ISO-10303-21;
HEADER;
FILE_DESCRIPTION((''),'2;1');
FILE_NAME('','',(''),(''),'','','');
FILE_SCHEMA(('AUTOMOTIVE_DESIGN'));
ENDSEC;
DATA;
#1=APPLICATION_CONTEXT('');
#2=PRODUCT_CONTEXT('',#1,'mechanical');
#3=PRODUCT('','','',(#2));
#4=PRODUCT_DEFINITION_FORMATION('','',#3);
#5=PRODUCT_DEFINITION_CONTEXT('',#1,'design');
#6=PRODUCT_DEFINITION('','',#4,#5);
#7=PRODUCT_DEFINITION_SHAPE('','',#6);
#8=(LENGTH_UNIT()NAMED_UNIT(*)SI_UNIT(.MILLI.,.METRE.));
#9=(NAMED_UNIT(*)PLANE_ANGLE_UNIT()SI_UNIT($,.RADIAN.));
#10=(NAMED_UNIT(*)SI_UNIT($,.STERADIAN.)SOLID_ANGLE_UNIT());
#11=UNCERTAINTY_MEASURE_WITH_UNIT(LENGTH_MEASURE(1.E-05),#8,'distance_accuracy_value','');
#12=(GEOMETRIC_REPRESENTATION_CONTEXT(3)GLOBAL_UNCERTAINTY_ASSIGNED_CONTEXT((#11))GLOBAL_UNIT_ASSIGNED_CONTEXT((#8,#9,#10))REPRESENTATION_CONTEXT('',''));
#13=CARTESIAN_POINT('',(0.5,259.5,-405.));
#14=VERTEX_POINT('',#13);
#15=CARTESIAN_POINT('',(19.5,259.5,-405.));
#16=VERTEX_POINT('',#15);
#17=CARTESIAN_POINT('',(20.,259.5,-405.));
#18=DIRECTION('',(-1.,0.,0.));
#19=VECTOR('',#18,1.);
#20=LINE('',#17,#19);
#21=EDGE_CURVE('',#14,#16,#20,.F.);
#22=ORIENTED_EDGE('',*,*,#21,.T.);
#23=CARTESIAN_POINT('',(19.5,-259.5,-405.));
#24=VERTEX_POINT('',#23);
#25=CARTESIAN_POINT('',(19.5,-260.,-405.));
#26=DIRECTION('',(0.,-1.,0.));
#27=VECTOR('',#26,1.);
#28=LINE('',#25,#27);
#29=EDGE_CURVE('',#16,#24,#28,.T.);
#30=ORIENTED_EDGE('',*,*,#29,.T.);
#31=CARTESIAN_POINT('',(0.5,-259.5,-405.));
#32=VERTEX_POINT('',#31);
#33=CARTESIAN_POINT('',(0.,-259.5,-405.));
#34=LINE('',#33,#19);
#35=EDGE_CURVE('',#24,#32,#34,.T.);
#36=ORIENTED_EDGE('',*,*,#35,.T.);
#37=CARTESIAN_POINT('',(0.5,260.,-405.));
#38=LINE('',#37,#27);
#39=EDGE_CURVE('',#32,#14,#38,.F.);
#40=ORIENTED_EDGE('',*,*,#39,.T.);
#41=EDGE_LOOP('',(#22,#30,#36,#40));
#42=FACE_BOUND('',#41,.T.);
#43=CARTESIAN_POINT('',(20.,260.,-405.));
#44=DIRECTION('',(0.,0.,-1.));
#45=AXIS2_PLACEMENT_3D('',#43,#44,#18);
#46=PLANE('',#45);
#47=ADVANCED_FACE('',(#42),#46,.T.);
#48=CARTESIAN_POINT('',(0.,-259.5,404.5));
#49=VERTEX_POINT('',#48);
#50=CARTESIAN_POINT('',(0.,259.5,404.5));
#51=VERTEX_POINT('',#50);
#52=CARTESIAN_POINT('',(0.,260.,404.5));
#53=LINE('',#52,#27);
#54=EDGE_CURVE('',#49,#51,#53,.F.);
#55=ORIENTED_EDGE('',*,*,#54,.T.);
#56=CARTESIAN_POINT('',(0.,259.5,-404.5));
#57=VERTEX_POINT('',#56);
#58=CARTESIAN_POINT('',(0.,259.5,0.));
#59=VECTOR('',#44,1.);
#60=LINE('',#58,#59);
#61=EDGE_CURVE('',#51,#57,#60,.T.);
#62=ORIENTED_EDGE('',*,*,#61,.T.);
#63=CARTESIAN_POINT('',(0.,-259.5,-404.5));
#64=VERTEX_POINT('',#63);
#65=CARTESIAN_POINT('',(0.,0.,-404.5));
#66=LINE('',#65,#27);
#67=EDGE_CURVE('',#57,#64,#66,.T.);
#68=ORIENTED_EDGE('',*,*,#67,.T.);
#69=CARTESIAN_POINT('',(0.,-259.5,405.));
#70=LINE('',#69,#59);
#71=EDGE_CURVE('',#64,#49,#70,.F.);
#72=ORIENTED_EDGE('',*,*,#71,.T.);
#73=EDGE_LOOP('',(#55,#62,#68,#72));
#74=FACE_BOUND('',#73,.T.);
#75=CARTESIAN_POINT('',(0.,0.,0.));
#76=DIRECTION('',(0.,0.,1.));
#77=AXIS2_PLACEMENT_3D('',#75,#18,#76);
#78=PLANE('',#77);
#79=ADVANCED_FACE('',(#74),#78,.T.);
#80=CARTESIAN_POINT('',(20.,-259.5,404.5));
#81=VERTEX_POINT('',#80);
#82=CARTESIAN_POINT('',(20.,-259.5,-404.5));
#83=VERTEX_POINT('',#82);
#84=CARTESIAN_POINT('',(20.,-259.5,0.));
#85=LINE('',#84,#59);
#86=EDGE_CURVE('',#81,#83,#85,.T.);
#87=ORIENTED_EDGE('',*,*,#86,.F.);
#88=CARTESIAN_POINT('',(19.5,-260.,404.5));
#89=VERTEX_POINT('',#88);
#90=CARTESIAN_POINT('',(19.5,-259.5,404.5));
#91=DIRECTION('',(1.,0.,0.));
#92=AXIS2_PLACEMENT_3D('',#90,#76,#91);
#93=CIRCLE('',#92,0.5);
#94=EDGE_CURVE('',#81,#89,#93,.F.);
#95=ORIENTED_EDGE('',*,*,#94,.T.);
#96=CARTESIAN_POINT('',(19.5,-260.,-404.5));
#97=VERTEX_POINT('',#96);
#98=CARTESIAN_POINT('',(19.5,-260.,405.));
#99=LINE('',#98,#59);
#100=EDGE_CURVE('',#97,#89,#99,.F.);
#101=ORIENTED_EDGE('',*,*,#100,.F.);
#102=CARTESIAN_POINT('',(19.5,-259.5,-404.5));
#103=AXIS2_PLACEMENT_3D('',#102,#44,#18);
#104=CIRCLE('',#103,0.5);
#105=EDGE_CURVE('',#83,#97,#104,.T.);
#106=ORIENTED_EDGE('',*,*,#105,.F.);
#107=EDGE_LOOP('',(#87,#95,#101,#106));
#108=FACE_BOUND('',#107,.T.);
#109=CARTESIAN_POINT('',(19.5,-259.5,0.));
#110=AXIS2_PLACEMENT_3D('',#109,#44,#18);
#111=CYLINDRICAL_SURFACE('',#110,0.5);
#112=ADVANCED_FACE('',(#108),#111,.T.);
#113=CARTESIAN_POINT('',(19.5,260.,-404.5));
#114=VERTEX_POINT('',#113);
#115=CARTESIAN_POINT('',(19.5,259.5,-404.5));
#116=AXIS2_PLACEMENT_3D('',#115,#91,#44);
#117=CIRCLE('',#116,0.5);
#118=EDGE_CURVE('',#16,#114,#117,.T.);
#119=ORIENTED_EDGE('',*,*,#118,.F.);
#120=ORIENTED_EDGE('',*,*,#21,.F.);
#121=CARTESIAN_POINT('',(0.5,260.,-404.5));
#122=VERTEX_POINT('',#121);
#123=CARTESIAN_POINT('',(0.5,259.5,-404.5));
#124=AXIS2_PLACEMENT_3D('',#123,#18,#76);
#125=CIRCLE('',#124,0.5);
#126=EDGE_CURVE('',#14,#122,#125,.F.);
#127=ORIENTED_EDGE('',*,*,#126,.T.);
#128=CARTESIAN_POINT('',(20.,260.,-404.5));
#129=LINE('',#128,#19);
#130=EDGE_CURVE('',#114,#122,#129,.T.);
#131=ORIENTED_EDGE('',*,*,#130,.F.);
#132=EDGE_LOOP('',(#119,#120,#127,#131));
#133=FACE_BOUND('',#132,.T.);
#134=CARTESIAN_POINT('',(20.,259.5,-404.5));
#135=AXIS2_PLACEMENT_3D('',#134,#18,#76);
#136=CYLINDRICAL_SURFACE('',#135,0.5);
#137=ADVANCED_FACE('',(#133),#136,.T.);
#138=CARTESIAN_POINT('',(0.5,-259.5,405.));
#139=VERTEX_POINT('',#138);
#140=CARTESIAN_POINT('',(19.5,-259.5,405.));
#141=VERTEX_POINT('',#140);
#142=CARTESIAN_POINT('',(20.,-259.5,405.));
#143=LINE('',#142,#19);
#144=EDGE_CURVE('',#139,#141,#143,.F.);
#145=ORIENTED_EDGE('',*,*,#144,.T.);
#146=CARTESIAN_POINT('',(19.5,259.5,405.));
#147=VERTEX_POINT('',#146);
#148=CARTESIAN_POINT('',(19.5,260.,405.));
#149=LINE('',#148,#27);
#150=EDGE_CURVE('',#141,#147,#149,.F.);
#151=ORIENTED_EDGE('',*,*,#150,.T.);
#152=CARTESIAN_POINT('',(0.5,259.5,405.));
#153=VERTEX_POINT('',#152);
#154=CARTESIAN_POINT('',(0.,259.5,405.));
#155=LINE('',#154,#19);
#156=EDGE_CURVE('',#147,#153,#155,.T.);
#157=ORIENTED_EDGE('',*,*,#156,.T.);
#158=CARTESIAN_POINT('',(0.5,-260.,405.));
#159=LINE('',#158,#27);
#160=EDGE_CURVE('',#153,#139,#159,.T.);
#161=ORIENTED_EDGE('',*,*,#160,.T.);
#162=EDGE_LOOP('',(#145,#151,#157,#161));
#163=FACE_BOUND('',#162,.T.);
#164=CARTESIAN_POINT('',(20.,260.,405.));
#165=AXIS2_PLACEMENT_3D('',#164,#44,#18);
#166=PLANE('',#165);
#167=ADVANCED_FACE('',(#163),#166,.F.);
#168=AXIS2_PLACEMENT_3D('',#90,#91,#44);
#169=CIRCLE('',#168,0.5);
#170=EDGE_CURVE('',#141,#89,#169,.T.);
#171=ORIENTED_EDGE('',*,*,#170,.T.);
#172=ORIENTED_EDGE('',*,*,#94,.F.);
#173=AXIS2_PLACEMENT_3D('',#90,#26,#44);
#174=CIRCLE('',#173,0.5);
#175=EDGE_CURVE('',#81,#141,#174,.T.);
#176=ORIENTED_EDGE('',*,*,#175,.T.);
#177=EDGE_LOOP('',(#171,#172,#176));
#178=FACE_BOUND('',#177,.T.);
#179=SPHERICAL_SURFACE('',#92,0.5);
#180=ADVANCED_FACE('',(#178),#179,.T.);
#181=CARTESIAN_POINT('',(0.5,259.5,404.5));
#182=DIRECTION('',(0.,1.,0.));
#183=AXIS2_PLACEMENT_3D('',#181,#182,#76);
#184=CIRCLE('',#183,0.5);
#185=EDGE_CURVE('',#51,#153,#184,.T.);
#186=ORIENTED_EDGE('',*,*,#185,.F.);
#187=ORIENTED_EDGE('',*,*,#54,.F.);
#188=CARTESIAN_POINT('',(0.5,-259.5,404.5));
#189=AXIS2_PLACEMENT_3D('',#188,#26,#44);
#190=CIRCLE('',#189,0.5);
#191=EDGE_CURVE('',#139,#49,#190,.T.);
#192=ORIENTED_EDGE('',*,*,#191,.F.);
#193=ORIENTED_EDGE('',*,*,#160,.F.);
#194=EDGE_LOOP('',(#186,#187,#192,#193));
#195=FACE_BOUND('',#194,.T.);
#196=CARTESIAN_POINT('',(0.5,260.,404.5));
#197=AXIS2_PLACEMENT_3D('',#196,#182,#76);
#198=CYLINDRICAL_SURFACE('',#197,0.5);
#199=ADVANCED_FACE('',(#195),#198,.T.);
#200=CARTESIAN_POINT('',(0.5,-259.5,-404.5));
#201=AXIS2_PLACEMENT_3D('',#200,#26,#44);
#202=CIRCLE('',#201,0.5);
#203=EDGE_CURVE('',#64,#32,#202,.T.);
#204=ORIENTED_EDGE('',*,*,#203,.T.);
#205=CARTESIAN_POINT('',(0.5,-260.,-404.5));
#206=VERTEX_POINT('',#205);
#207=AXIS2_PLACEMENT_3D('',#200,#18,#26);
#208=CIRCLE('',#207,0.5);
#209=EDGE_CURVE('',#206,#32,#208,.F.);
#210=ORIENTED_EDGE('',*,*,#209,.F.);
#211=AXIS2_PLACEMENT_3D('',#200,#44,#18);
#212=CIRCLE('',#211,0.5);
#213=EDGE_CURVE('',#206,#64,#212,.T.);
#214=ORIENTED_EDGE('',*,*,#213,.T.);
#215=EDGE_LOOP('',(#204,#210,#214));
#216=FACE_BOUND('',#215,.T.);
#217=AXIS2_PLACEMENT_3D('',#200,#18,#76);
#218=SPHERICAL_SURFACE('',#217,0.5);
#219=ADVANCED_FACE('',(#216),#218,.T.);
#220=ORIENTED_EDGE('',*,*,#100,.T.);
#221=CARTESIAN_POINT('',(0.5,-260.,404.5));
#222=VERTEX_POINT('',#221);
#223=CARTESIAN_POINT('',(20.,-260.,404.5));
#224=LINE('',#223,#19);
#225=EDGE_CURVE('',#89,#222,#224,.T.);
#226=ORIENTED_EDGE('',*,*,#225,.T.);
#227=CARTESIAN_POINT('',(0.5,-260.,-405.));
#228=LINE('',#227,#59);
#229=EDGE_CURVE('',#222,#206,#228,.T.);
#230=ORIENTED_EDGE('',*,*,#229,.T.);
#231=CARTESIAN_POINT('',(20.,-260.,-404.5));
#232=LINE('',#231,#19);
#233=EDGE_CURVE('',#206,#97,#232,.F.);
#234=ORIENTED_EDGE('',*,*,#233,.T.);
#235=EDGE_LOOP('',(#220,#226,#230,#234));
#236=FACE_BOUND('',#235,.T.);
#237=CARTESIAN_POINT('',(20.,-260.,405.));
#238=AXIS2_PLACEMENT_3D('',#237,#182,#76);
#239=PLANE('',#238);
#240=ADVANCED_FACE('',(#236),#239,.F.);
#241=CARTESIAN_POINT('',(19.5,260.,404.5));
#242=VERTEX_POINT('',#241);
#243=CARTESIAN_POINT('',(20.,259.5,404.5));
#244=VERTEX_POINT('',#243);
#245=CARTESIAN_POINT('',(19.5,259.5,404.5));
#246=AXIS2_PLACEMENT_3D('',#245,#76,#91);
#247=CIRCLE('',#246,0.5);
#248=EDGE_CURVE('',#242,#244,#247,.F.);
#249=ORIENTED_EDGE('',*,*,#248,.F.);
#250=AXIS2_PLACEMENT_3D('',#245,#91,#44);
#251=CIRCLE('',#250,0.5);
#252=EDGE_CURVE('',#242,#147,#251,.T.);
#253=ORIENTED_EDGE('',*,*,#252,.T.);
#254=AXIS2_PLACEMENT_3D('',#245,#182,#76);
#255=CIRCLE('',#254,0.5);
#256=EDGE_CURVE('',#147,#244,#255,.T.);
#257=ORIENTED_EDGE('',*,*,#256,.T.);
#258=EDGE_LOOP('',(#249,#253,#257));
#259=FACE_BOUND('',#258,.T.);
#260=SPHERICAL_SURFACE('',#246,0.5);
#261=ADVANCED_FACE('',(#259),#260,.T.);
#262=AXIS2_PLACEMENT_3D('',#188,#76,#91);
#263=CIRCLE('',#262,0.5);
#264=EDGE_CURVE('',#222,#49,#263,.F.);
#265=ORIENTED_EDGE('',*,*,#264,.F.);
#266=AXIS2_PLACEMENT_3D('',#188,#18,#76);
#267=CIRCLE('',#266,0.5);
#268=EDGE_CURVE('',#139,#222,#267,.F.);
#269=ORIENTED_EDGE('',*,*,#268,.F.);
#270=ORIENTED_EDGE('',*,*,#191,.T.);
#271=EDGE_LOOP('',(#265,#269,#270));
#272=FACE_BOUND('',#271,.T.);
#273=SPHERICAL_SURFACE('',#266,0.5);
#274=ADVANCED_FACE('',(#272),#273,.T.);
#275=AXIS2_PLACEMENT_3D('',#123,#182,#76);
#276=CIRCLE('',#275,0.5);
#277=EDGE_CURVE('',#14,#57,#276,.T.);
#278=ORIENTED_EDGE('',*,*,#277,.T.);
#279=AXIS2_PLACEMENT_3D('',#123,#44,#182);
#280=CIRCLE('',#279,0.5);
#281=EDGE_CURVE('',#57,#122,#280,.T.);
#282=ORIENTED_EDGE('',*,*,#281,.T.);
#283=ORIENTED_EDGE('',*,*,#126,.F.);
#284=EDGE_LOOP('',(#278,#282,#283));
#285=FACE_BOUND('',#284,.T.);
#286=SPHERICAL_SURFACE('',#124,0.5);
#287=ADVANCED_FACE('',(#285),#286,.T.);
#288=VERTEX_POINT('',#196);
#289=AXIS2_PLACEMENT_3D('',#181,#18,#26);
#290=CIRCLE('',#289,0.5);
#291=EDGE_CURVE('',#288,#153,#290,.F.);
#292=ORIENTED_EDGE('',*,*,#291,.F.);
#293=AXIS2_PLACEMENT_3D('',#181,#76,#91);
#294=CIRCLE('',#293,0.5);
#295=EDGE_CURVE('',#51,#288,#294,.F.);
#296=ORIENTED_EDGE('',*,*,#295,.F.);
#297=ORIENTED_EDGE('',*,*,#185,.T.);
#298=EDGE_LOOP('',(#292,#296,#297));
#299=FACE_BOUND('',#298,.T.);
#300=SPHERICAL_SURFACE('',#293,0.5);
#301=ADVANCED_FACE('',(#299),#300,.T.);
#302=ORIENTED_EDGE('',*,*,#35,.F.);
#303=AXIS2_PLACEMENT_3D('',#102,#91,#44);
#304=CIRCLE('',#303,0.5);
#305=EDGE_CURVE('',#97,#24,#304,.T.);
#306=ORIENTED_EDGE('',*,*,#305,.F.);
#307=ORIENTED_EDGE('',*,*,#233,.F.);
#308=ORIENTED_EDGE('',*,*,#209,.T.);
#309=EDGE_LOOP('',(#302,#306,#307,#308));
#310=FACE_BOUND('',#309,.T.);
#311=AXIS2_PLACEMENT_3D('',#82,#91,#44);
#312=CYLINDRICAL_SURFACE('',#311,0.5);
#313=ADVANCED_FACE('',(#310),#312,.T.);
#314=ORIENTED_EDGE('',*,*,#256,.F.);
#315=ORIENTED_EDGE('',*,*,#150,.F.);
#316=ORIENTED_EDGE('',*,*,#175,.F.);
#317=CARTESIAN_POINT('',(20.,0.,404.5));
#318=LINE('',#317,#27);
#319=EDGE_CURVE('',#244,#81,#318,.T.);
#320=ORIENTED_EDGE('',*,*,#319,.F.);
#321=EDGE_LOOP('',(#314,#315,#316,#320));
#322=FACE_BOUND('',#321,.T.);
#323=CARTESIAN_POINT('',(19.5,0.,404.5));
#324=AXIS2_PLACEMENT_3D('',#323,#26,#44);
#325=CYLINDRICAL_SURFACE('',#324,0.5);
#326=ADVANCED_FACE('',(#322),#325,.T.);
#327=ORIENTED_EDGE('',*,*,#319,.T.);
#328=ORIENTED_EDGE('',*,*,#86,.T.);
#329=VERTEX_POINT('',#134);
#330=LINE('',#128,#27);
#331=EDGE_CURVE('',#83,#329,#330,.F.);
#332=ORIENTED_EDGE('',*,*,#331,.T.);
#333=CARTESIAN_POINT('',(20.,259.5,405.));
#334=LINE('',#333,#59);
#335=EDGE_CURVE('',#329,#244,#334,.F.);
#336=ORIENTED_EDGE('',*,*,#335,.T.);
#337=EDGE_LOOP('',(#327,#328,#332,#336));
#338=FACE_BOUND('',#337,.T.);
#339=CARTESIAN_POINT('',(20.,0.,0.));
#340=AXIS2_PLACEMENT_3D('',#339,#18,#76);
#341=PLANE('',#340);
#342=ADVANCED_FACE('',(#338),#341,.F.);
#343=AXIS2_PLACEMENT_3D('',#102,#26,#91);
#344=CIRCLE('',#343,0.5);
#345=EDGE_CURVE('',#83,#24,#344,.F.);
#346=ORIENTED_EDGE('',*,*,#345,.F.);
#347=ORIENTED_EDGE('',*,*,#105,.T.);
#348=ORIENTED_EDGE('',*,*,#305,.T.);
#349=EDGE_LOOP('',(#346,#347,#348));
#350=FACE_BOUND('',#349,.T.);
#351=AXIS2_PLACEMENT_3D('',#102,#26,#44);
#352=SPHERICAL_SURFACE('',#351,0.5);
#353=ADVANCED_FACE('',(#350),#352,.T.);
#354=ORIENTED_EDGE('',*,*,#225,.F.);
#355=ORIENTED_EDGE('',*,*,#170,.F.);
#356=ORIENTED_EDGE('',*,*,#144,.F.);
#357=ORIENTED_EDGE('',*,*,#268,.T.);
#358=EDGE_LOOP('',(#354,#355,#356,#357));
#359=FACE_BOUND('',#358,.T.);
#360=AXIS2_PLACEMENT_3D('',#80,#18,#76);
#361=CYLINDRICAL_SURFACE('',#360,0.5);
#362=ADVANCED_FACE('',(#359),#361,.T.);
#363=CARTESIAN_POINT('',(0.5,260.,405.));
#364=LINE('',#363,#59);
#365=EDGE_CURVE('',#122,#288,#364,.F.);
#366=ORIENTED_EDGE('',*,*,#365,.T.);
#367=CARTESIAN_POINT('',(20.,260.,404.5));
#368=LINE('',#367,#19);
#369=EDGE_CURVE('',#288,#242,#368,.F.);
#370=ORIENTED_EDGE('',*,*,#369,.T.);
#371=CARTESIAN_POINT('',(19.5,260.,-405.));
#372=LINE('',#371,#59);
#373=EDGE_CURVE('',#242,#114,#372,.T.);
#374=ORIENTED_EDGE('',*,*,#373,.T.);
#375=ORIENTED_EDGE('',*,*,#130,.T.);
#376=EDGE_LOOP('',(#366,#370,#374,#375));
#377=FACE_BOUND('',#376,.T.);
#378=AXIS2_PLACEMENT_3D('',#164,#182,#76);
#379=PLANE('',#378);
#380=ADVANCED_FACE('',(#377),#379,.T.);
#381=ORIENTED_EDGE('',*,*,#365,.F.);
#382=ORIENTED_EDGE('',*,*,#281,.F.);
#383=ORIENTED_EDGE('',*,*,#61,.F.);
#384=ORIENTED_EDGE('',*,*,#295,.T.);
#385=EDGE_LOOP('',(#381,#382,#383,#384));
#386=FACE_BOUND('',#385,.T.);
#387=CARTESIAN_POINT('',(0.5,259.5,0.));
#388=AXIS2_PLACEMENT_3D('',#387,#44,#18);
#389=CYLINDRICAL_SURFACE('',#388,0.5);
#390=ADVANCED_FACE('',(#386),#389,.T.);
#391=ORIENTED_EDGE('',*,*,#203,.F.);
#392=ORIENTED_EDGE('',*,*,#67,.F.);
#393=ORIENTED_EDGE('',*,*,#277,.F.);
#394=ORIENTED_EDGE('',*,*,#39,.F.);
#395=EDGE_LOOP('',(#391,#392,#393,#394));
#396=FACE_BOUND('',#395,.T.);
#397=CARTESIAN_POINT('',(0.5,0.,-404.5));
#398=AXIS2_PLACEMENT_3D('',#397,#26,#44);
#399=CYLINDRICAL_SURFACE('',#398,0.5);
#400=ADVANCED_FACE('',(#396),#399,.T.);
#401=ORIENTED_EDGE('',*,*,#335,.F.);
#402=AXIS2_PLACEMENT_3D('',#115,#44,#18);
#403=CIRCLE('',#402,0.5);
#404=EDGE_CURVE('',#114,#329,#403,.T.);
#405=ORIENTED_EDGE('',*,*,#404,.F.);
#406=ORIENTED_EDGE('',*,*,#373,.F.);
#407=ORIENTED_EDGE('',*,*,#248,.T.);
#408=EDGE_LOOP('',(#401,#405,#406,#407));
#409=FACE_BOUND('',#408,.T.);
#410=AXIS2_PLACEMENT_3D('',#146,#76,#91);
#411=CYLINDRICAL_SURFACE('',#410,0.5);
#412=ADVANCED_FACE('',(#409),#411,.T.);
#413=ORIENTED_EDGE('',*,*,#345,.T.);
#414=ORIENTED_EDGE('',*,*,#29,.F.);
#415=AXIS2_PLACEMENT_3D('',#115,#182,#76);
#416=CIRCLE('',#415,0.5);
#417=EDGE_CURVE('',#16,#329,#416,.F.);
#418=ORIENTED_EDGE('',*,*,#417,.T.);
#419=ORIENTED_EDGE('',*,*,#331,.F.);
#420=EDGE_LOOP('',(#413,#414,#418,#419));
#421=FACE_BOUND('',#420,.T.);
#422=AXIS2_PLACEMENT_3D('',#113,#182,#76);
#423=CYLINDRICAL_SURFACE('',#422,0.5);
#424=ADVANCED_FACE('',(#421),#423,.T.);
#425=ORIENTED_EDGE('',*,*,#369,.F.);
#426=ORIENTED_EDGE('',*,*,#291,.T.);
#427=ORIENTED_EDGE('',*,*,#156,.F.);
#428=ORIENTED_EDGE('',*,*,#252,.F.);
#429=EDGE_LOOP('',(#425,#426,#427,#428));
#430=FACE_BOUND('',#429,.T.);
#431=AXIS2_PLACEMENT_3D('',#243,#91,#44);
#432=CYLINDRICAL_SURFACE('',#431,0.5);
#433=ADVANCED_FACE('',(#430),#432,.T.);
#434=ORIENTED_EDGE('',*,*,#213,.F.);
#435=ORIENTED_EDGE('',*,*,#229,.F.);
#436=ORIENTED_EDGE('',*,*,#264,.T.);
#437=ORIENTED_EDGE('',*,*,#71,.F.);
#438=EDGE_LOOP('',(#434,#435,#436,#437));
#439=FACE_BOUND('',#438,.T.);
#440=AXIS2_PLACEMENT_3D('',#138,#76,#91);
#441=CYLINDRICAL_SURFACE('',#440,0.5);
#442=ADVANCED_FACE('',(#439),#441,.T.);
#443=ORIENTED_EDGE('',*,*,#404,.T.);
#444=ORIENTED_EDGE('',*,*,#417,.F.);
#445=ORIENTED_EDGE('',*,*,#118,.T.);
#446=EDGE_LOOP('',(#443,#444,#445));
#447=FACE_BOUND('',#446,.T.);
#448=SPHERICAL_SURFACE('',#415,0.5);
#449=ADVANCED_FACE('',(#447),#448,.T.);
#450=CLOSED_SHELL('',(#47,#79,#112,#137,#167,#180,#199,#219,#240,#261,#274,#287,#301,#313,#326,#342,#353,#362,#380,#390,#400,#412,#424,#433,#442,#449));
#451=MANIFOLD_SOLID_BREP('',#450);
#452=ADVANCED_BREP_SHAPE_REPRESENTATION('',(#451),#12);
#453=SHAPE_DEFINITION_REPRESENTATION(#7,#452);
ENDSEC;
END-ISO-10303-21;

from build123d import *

# Parameters (mm, degrees)
SKETCH1_W           = 810
SKETCH1_H           = 520
BOSS_EXTRUDE1_DEPTH = 20
FILLET1_R           = 0.5


with BuildPart() as part:
    # Sketch1 → Boss-Extrude1 (new body)
    with BuildSketch(Plane(origin=(0, 0, 0), x_dir=(0, 0, -1), z_dir=(1, 0, 0))):
        Rectangle(SKETCH1_W, SKETCH1_H)
    extrude(amount=BOSS_EXTRUDE1_DEPTH)

    # Fillet1
    fillet1_edges = [part.edges().sort_by_distance(p)[0] for p in [
        (20, -260, 0),
        (20, 0, 405),
        (20, 260, 0),
        (0, 0, 405),
        (0, -260, 0),
        (0, 0, -405),
        (0, 260, 0),
        (10, 260, 405),
        (10, -260, 405),
        (10, -260, -405),
        (10, 260, -405),
        (20, 0, -405),
    ]]
    fillet(fillet1_edges, radius=FILLET1_R)


solid = part.part
